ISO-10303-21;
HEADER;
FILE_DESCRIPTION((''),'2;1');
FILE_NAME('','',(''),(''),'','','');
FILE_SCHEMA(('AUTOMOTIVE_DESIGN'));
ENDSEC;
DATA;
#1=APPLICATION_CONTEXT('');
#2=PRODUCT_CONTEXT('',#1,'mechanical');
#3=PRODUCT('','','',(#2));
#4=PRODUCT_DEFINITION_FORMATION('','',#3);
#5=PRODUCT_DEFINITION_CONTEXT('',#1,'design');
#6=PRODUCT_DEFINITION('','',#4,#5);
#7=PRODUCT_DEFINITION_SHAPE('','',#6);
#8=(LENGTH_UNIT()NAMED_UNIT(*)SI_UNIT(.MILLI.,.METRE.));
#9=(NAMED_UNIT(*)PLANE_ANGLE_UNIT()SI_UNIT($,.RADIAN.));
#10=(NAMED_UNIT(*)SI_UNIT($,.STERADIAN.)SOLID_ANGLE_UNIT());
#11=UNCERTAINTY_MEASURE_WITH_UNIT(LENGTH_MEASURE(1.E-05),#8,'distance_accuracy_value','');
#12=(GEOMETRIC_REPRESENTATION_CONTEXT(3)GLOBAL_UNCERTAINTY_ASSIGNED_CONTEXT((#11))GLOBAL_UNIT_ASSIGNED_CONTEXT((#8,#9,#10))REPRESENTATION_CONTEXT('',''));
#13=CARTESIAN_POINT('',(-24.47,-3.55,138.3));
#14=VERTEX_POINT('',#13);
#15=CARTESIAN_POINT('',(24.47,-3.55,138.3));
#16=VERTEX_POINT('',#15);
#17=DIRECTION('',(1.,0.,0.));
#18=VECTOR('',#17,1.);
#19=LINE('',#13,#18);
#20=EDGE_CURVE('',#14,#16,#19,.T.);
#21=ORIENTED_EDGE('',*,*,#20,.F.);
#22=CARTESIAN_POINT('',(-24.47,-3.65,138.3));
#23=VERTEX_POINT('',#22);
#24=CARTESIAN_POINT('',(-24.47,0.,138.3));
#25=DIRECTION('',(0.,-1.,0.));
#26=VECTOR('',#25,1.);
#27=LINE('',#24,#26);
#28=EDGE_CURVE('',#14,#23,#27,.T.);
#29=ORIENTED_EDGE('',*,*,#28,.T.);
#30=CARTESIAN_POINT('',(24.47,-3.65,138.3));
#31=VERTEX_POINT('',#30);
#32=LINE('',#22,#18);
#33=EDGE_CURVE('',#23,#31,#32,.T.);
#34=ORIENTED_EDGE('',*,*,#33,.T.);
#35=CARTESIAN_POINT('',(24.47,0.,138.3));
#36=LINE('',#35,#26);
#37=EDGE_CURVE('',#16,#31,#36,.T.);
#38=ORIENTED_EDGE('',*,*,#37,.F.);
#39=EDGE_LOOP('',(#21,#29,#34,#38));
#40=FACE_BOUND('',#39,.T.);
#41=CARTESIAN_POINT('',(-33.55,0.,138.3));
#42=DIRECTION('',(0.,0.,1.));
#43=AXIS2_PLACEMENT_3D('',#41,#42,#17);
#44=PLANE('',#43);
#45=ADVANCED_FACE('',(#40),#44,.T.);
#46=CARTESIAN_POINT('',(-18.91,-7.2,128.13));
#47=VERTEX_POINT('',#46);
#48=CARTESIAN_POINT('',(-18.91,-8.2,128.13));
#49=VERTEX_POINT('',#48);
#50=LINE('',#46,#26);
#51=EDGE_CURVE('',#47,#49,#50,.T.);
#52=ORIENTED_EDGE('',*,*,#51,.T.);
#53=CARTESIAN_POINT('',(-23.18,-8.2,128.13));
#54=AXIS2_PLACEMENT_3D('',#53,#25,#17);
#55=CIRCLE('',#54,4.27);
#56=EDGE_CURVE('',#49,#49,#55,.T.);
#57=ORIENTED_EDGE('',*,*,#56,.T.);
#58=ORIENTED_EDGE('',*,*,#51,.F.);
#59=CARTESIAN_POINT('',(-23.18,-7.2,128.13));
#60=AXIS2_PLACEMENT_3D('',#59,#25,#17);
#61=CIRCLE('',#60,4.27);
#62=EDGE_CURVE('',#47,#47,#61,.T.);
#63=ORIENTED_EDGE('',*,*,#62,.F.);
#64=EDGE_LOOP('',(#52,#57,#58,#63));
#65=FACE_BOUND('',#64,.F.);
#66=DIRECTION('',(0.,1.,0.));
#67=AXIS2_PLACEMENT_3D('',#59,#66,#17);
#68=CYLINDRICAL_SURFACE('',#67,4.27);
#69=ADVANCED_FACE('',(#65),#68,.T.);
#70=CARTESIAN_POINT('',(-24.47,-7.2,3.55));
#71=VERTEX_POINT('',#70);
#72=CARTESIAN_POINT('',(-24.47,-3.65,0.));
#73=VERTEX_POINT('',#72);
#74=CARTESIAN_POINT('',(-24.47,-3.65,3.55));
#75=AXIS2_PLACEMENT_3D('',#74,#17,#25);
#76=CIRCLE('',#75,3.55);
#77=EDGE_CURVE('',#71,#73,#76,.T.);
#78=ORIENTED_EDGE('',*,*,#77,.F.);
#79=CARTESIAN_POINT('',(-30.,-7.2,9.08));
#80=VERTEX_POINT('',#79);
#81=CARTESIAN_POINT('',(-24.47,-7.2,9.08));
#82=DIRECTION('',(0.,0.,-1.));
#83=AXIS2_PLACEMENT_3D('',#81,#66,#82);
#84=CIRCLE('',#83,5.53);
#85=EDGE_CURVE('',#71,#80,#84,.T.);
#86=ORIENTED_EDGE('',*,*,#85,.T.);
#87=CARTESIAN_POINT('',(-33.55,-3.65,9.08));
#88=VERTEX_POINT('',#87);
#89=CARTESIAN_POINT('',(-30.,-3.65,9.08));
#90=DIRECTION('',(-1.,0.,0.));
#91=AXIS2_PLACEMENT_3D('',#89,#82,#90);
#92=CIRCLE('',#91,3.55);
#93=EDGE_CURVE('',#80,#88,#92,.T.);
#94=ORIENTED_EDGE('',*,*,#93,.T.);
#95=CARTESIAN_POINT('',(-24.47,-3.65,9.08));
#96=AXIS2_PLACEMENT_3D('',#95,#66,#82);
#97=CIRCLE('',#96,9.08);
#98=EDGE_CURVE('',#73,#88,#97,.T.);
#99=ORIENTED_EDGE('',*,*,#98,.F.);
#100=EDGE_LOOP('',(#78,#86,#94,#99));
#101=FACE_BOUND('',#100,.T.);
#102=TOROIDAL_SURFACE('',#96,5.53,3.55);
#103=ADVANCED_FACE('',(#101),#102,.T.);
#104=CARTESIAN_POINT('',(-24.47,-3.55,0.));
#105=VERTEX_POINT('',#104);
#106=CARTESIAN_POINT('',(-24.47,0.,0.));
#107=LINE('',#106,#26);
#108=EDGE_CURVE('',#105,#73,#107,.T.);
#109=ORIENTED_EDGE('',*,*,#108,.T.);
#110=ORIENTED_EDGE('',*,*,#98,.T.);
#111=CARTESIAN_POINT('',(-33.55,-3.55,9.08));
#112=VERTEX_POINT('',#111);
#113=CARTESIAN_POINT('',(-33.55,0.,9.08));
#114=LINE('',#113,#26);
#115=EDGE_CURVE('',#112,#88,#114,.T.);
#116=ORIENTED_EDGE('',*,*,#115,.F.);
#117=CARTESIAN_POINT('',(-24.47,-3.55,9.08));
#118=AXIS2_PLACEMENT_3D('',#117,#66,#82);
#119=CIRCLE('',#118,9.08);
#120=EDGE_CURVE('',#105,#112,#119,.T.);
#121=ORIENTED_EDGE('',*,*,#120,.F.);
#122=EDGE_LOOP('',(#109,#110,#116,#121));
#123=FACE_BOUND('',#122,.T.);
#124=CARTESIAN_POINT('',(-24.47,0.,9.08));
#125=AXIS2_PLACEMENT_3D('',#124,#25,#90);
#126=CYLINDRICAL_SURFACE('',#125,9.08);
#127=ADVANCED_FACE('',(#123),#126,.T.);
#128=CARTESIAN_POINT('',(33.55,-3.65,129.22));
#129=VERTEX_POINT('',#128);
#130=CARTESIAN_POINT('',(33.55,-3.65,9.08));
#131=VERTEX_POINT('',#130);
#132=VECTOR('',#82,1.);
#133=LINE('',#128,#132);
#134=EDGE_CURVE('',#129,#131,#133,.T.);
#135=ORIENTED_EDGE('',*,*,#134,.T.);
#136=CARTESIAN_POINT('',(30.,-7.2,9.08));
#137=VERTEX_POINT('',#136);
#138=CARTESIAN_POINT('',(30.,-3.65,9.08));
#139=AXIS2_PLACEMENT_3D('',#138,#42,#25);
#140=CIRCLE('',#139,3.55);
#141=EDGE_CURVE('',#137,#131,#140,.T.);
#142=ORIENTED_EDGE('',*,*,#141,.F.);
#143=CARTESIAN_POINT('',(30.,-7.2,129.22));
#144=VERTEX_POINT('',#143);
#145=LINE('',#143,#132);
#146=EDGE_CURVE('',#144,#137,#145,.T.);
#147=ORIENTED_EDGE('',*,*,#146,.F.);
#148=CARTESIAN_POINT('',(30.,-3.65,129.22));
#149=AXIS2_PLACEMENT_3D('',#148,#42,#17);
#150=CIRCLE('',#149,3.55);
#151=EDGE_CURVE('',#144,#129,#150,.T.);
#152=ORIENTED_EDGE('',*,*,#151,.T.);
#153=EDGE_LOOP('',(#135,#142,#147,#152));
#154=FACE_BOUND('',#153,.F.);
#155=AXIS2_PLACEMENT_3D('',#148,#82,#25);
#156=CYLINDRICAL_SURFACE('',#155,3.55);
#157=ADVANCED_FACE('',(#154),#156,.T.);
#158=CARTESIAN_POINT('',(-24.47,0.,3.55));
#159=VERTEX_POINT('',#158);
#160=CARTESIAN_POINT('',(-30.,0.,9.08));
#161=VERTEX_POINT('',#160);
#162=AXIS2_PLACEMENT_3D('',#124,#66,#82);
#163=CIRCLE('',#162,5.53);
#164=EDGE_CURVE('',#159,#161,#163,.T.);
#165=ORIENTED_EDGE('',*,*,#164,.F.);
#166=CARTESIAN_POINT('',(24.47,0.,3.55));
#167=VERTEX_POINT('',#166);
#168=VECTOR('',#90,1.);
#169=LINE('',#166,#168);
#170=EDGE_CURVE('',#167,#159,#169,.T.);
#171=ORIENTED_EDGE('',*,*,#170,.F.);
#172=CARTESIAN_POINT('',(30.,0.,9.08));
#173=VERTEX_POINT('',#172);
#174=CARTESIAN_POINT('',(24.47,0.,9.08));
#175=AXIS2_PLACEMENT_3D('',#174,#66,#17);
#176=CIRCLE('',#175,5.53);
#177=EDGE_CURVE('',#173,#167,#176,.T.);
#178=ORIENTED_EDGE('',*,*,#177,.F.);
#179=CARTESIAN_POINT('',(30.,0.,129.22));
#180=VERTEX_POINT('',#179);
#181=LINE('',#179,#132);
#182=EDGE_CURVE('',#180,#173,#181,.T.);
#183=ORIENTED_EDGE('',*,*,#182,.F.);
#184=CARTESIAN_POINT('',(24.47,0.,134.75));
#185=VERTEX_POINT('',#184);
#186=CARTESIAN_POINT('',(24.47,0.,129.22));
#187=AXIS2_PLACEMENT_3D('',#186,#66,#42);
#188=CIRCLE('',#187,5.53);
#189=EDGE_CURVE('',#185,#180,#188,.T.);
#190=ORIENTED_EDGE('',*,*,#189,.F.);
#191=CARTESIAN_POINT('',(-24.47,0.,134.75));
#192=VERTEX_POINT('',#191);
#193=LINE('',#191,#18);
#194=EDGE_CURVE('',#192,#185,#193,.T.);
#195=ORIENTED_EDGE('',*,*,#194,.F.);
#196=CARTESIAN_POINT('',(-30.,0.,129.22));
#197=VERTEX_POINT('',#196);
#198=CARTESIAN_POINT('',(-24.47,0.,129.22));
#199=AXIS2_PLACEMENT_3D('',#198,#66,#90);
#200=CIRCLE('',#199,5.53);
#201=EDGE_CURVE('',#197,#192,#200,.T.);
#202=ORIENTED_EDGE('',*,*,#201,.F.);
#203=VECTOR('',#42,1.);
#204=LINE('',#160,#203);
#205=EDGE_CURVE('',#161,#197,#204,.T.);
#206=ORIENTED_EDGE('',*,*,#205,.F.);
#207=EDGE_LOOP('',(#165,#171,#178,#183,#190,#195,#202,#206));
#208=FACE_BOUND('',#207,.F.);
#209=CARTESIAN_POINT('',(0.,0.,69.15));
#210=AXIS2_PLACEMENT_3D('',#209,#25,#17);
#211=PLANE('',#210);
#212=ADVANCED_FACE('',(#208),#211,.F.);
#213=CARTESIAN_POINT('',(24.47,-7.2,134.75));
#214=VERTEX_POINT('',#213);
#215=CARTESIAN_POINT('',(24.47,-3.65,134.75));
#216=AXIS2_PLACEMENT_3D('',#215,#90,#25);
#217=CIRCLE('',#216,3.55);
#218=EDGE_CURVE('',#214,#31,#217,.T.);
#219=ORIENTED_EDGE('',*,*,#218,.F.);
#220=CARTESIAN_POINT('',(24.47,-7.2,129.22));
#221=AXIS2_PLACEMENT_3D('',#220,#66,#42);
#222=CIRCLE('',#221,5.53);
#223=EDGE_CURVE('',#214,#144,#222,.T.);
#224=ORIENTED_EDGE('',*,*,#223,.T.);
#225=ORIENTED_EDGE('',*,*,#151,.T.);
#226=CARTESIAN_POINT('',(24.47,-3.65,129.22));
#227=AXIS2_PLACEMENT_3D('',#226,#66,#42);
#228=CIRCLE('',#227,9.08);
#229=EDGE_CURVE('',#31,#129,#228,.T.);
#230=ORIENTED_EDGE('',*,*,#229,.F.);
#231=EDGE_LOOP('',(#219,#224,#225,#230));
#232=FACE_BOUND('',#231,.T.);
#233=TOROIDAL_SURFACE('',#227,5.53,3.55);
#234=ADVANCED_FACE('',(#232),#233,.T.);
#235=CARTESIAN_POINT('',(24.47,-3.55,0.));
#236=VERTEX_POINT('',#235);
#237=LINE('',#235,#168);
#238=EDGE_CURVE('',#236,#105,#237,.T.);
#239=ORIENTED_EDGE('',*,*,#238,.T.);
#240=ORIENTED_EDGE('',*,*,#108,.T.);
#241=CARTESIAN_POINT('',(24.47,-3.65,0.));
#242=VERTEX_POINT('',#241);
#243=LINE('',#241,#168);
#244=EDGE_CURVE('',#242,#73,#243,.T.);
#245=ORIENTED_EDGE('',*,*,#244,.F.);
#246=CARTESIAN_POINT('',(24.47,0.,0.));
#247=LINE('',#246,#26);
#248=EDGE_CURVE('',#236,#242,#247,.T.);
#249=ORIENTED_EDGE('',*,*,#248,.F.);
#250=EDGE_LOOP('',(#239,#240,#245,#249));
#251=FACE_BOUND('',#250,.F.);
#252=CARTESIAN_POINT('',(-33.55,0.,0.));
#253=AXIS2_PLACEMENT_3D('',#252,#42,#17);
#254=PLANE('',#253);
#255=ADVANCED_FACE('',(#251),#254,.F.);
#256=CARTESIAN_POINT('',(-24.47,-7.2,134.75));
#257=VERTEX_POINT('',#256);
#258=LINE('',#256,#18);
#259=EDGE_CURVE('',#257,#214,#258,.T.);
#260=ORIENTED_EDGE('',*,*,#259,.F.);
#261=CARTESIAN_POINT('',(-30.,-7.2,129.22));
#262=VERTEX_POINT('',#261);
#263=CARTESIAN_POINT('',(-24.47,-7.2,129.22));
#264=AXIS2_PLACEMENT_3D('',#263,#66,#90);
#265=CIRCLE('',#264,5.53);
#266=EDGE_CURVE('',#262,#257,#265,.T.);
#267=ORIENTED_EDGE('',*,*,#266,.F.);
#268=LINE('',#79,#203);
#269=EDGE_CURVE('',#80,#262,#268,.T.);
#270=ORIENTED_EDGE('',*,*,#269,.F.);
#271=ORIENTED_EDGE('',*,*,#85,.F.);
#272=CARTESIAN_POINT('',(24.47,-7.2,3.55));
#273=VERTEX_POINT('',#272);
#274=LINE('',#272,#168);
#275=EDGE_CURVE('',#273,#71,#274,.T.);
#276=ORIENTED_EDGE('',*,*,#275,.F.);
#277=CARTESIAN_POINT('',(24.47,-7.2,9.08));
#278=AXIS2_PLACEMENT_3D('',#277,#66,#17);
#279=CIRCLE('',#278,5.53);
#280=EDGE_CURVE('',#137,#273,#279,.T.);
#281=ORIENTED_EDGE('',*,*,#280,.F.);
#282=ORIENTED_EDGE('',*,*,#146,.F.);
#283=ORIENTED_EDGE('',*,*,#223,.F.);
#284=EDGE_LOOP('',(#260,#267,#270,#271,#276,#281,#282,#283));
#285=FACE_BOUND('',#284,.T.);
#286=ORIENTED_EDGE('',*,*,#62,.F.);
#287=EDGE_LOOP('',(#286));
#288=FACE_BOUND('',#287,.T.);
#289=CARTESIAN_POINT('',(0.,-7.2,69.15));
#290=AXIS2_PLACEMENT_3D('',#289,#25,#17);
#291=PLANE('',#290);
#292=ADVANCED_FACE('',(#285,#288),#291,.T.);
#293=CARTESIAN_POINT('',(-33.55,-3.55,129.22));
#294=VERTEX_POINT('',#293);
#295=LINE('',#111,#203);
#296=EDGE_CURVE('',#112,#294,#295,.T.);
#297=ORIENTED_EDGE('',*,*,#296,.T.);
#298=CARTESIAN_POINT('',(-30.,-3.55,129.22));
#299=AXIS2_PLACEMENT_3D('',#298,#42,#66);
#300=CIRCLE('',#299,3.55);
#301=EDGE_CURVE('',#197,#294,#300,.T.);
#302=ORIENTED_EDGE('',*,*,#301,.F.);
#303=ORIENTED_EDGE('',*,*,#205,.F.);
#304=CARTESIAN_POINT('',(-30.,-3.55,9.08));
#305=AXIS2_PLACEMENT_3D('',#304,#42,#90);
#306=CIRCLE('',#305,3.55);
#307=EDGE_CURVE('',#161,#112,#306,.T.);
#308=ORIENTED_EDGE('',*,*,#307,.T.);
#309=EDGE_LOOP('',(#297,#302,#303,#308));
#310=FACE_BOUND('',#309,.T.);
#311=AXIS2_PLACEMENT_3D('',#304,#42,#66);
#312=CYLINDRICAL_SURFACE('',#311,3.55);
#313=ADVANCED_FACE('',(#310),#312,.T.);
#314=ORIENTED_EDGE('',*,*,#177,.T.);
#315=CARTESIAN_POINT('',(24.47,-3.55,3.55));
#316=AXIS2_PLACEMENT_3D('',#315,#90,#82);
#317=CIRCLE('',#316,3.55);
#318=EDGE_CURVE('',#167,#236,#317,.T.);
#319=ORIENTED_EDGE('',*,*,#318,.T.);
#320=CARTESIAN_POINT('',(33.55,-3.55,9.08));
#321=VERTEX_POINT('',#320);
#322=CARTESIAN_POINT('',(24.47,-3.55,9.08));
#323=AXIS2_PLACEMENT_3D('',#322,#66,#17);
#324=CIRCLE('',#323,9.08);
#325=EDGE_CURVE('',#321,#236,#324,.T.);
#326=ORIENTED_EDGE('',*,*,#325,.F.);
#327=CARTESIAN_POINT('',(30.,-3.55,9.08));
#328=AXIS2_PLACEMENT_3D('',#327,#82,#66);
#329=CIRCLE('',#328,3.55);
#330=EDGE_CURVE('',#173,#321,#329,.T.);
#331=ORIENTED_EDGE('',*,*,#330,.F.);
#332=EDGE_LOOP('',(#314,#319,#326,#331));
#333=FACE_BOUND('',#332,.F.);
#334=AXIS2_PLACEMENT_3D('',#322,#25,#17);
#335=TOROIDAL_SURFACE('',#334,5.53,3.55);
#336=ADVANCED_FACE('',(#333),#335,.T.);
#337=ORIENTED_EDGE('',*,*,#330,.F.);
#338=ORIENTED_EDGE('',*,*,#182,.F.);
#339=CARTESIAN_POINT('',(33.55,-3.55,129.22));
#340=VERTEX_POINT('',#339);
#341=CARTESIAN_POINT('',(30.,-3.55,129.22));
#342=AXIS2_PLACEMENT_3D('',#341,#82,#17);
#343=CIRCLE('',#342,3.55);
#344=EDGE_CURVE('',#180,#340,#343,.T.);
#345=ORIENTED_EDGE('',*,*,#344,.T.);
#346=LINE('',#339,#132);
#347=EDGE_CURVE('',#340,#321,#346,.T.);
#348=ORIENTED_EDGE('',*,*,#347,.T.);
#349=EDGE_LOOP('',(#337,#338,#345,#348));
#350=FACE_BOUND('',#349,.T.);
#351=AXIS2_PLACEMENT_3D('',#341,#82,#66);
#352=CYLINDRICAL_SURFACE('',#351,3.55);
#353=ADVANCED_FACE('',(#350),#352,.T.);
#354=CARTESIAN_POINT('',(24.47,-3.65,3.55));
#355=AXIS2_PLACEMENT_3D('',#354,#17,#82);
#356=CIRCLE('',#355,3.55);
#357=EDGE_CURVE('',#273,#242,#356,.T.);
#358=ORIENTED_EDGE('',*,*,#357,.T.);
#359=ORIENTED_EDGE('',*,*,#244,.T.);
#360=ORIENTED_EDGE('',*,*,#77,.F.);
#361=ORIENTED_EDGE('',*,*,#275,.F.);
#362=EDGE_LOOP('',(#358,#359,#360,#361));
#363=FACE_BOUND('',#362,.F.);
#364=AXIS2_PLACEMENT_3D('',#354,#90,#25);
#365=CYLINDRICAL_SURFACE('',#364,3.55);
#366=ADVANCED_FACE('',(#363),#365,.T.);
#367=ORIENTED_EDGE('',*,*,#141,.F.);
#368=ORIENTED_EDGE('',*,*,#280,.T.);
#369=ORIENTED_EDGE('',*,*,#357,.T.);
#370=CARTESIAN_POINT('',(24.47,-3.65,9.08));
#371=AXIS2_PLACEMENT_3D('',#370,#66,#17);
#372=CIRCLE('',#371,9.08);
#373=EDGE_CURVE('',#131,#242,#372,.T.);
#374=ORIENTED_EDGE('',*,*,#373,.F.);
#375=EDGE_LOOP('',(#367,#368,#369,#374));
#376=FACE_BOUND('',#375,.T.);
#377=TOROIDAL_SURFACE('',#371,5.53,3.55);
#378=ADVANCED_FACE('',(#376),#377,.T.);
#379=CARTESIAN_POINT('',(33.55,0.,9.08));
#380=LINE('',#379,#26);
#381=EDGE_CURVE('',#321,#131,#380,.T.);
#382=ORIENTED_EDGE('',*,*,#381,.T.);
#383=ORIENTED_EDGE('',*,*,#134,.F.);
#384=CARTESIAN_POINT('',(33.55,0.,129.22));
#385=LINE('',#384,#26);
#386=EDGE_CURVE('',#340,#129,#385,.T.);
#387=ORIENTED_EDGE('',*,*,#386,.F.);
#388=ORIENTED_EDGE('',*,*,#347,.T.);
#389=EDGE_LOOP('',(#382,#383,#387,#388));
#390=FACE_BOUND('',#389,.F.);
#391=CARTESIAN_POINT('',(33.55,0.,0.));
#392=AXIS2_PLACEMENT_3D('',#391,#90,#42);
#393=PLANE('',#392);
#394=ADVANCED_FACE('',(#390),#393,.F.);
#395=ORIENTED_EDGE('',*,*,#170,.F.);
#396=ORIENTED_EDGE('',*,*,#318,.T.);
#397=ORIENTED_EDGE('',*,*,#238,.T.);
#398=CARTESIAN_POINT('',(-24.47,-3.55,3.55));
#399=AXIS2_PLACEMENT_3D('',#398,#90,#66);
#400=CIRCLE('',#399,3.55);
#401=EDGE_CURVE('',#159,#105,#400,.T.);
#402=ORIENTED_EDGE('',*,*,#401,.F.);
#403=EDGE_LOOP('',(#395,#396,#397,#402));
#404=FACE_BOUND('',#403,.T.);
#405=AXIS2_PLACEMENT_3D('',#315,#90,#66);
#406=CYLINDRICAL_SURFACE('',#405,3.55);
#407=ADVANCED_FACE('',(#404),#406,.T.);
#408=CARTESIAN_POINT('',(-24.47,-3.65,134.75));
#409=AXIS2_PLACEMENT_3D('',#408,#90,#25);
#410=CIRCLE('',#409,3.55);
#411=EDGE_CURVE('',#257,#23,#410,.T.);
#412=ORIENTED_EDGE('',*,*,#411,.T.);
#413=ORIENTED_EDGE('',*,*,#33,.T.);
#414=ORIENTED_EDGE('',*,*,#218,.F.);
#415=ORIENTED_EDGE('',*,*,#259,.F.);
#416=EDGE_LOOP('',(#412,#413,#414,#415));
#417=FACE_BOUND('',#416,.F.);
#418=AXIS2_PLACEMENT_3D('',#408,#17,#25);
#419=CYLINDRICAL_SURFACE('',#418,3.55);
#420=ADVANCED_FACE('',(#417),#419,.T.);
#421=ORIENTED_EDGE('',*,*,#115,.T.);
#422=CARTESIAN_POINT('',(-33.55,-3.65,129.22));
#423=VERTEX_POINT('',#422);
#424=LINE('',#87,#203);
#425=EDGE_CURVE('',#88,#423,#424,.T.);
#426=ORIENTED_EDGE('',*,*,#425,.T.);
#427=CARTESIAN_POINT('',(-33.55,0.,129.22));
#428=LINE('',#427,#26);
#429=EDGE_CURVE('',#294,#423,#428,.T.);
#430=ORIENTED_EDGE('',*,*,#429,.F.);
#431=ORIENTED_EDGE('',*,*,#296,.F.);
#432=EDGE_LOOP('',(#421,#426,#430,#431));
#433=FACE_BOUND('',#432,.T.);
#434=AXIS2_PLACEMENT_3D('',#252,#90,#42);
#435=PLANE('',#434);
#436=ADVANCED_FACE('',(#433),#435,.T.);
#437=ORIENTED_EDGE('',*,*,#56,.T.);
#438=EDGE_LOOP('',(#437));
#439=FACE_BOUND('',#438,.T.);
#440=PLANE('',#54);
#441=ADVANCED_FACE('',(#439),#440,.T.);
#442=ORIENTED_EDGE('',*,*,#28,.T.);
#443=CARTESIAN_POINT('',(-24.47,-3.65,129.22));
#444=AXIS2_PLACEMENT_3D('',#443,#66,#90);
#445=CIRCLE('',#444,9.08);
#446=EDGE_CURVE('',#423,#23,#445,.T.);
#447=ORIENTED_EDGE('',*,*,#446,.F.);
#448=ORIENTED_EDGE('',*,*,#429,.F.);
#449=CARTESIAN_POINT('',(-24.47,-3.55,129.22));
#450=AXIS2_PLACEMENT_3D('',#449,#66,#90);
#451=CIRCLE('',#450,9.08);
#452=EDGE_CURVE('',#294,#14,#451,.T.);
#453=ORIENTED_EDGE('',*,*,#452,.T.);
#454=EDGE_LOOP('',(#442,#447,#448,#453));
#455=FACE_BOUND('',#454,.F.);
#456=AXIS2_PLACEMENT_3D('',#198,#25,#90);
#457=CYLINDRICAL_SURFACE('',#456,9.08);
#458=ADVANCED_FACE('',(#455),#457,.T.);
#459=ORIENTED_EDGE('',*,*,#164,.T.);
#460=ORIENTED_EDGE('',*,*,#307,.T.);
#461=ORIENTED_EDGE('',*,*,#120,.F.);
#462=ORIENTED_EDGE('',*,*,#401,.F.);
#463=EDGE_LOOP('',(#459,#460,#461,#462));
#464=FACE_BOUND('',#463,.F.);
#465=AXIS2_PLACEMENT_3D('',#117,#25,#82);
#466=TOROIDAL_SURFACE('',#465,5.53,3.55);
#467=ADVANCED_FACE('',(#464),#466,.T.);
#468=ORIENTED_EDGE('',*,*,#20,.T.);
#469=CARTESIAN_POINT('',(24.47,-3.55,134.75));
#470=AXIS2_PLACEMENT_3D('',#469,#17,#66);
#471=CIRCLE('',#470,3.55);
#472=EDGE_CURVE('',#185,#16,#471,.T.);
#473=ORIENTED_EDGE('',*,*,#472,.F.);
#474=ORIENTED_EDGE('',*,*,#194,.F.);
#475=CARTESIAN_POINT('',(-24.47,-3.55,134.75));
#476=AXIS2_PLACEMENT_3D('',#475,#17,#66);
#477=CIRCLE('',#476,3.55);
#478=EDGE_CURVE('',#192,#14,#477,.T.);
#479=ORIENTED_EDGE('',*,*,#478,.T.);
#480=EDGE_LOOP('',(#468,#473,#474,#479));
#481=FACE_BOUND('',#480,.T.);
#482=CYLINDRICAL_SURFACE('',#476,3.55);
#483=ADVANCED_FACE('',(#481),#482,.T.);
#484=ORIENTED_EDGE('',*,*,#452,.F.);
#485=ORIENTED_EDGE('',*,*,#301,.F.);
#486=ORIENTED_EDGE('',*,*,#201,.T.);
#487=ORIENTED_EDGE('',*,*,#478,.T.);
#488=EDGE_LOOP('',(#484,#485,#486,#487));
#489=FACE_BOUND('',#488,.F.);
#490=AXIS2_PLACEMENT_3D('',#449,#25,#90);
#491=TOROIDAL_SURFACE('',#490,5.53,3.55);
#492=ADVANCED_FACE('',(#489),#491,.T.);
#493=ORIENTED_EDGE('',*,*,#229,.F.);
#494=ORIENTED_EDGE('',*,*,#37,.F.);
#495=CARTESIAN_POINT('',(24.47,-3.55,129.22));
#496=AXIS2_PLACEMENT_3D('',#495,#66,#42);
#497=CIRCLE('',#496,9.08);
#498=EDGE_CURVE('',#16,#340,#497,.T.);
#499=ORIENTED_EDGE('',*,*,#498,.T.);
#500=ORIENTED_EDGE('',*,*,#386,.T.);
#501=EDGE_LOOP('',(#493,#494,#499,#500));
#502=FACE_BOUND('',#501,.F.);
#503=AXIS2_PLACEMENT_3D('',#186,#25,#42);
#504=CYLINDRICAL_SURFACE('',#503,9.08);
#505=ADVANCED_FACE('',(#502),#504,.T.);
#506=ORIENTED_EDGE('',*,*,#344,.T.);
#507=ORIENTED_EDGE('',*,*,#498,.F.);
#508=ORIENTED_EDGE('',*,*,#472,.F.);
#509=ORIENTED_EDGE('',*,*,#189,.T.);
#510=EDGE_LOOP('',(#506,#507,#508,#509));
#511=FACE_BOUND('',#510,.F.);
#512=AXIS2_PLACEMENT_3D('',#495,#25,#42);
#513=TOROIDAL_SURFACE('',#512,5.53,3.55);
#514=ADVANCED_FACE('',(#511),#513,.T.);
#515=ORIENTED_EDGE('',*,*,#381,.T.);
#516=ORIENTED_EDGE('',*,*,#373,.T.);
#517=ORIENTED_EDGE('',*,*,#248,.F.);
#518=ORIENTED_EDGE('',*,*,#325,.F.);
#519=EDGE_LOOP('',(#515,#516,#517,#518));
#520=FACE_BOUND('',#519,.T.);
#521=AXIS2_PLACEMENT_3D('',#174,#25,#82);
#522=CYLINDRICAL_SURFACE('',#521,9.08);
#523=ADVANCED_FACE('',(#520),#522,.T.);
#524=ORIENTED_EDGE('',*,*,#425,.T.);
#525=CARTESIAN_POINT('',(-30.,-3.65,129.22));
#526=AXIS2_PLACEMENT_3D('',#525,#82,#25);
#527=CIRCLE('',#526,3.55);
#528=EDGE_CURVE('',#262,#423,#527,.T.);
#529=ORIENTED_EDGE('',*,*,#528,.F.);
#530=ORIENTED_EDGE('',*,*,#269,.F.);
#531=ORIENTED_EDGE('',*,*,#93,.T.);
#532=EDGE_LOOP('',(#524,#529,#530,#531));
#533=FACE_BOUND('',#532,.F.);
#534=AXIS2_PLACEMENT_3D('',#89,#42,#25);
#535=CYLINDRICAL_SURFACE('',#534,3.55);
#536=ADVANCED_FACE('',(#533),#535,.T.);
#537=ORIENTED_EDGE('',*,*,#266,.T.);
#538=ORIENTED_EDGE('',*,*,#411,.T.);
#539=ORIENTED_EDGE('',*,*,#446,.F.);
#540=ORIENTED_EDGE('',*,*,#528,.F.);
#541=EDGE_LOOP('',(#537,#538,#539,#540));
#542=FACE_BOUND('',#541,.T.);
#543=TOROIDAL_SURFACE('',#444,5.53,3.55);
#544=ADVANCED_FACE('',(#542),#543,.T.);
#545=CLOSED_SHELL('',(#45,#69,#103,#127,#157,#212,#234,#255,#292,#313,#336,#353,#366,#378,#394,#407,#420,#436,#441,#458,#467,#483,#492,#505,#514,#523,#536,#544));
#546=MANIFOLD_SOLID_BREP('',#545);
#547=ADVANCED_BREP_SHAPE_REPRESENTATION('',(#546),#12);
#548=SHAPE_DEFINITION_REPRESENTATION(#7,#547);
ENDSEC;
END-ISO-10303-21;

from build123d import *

# Parameters (mm, degrees)
F0_W     = 67.1
F0_H     = 138.3
F1_DEPTH = 7.2
F2_R     = 4.27
F3_DEPTH = 1
F4_R     = 9.08
F5_R     = 3.55


with BuildPart() as f1:
    # F0 (on Front) → F1 (new body)
    with BuildSketch(Plane.XZ):
        with Locations((0, 69.15)):
            Rectangle(F0_W, F0_H)
    extrude(amount=F1_DEPTH)

    # F2 (on face) → F3 (join)
    with BuildSketch(Plane.XZ.offset(7.2)):
        with Locations((-23.18, 128.13)):
            Circle(F2_R)
    extrude(amount=F3_DEPTH)

    # F4
    f4_edges = [f1.edges().sort_by_distance(p)[0] for p in [
        (-33.55, -3.6, 138.3),
        (33.55, -3.6, 138.3),
        (33.55, -3.6, 0),
        (-33.55, -3.6, 0),
    ]]
    fillet(f4_edges, radius=F4_R)

    # F5
    f5_edges = [f1.edges().sort_by_distance(p)[0] for p in [
        (0, -7.2, 138.3),
        (0, 0, 138.3),
    ]]
    fillet(f5_edges, radius=F5_R)


solid = f1.part
